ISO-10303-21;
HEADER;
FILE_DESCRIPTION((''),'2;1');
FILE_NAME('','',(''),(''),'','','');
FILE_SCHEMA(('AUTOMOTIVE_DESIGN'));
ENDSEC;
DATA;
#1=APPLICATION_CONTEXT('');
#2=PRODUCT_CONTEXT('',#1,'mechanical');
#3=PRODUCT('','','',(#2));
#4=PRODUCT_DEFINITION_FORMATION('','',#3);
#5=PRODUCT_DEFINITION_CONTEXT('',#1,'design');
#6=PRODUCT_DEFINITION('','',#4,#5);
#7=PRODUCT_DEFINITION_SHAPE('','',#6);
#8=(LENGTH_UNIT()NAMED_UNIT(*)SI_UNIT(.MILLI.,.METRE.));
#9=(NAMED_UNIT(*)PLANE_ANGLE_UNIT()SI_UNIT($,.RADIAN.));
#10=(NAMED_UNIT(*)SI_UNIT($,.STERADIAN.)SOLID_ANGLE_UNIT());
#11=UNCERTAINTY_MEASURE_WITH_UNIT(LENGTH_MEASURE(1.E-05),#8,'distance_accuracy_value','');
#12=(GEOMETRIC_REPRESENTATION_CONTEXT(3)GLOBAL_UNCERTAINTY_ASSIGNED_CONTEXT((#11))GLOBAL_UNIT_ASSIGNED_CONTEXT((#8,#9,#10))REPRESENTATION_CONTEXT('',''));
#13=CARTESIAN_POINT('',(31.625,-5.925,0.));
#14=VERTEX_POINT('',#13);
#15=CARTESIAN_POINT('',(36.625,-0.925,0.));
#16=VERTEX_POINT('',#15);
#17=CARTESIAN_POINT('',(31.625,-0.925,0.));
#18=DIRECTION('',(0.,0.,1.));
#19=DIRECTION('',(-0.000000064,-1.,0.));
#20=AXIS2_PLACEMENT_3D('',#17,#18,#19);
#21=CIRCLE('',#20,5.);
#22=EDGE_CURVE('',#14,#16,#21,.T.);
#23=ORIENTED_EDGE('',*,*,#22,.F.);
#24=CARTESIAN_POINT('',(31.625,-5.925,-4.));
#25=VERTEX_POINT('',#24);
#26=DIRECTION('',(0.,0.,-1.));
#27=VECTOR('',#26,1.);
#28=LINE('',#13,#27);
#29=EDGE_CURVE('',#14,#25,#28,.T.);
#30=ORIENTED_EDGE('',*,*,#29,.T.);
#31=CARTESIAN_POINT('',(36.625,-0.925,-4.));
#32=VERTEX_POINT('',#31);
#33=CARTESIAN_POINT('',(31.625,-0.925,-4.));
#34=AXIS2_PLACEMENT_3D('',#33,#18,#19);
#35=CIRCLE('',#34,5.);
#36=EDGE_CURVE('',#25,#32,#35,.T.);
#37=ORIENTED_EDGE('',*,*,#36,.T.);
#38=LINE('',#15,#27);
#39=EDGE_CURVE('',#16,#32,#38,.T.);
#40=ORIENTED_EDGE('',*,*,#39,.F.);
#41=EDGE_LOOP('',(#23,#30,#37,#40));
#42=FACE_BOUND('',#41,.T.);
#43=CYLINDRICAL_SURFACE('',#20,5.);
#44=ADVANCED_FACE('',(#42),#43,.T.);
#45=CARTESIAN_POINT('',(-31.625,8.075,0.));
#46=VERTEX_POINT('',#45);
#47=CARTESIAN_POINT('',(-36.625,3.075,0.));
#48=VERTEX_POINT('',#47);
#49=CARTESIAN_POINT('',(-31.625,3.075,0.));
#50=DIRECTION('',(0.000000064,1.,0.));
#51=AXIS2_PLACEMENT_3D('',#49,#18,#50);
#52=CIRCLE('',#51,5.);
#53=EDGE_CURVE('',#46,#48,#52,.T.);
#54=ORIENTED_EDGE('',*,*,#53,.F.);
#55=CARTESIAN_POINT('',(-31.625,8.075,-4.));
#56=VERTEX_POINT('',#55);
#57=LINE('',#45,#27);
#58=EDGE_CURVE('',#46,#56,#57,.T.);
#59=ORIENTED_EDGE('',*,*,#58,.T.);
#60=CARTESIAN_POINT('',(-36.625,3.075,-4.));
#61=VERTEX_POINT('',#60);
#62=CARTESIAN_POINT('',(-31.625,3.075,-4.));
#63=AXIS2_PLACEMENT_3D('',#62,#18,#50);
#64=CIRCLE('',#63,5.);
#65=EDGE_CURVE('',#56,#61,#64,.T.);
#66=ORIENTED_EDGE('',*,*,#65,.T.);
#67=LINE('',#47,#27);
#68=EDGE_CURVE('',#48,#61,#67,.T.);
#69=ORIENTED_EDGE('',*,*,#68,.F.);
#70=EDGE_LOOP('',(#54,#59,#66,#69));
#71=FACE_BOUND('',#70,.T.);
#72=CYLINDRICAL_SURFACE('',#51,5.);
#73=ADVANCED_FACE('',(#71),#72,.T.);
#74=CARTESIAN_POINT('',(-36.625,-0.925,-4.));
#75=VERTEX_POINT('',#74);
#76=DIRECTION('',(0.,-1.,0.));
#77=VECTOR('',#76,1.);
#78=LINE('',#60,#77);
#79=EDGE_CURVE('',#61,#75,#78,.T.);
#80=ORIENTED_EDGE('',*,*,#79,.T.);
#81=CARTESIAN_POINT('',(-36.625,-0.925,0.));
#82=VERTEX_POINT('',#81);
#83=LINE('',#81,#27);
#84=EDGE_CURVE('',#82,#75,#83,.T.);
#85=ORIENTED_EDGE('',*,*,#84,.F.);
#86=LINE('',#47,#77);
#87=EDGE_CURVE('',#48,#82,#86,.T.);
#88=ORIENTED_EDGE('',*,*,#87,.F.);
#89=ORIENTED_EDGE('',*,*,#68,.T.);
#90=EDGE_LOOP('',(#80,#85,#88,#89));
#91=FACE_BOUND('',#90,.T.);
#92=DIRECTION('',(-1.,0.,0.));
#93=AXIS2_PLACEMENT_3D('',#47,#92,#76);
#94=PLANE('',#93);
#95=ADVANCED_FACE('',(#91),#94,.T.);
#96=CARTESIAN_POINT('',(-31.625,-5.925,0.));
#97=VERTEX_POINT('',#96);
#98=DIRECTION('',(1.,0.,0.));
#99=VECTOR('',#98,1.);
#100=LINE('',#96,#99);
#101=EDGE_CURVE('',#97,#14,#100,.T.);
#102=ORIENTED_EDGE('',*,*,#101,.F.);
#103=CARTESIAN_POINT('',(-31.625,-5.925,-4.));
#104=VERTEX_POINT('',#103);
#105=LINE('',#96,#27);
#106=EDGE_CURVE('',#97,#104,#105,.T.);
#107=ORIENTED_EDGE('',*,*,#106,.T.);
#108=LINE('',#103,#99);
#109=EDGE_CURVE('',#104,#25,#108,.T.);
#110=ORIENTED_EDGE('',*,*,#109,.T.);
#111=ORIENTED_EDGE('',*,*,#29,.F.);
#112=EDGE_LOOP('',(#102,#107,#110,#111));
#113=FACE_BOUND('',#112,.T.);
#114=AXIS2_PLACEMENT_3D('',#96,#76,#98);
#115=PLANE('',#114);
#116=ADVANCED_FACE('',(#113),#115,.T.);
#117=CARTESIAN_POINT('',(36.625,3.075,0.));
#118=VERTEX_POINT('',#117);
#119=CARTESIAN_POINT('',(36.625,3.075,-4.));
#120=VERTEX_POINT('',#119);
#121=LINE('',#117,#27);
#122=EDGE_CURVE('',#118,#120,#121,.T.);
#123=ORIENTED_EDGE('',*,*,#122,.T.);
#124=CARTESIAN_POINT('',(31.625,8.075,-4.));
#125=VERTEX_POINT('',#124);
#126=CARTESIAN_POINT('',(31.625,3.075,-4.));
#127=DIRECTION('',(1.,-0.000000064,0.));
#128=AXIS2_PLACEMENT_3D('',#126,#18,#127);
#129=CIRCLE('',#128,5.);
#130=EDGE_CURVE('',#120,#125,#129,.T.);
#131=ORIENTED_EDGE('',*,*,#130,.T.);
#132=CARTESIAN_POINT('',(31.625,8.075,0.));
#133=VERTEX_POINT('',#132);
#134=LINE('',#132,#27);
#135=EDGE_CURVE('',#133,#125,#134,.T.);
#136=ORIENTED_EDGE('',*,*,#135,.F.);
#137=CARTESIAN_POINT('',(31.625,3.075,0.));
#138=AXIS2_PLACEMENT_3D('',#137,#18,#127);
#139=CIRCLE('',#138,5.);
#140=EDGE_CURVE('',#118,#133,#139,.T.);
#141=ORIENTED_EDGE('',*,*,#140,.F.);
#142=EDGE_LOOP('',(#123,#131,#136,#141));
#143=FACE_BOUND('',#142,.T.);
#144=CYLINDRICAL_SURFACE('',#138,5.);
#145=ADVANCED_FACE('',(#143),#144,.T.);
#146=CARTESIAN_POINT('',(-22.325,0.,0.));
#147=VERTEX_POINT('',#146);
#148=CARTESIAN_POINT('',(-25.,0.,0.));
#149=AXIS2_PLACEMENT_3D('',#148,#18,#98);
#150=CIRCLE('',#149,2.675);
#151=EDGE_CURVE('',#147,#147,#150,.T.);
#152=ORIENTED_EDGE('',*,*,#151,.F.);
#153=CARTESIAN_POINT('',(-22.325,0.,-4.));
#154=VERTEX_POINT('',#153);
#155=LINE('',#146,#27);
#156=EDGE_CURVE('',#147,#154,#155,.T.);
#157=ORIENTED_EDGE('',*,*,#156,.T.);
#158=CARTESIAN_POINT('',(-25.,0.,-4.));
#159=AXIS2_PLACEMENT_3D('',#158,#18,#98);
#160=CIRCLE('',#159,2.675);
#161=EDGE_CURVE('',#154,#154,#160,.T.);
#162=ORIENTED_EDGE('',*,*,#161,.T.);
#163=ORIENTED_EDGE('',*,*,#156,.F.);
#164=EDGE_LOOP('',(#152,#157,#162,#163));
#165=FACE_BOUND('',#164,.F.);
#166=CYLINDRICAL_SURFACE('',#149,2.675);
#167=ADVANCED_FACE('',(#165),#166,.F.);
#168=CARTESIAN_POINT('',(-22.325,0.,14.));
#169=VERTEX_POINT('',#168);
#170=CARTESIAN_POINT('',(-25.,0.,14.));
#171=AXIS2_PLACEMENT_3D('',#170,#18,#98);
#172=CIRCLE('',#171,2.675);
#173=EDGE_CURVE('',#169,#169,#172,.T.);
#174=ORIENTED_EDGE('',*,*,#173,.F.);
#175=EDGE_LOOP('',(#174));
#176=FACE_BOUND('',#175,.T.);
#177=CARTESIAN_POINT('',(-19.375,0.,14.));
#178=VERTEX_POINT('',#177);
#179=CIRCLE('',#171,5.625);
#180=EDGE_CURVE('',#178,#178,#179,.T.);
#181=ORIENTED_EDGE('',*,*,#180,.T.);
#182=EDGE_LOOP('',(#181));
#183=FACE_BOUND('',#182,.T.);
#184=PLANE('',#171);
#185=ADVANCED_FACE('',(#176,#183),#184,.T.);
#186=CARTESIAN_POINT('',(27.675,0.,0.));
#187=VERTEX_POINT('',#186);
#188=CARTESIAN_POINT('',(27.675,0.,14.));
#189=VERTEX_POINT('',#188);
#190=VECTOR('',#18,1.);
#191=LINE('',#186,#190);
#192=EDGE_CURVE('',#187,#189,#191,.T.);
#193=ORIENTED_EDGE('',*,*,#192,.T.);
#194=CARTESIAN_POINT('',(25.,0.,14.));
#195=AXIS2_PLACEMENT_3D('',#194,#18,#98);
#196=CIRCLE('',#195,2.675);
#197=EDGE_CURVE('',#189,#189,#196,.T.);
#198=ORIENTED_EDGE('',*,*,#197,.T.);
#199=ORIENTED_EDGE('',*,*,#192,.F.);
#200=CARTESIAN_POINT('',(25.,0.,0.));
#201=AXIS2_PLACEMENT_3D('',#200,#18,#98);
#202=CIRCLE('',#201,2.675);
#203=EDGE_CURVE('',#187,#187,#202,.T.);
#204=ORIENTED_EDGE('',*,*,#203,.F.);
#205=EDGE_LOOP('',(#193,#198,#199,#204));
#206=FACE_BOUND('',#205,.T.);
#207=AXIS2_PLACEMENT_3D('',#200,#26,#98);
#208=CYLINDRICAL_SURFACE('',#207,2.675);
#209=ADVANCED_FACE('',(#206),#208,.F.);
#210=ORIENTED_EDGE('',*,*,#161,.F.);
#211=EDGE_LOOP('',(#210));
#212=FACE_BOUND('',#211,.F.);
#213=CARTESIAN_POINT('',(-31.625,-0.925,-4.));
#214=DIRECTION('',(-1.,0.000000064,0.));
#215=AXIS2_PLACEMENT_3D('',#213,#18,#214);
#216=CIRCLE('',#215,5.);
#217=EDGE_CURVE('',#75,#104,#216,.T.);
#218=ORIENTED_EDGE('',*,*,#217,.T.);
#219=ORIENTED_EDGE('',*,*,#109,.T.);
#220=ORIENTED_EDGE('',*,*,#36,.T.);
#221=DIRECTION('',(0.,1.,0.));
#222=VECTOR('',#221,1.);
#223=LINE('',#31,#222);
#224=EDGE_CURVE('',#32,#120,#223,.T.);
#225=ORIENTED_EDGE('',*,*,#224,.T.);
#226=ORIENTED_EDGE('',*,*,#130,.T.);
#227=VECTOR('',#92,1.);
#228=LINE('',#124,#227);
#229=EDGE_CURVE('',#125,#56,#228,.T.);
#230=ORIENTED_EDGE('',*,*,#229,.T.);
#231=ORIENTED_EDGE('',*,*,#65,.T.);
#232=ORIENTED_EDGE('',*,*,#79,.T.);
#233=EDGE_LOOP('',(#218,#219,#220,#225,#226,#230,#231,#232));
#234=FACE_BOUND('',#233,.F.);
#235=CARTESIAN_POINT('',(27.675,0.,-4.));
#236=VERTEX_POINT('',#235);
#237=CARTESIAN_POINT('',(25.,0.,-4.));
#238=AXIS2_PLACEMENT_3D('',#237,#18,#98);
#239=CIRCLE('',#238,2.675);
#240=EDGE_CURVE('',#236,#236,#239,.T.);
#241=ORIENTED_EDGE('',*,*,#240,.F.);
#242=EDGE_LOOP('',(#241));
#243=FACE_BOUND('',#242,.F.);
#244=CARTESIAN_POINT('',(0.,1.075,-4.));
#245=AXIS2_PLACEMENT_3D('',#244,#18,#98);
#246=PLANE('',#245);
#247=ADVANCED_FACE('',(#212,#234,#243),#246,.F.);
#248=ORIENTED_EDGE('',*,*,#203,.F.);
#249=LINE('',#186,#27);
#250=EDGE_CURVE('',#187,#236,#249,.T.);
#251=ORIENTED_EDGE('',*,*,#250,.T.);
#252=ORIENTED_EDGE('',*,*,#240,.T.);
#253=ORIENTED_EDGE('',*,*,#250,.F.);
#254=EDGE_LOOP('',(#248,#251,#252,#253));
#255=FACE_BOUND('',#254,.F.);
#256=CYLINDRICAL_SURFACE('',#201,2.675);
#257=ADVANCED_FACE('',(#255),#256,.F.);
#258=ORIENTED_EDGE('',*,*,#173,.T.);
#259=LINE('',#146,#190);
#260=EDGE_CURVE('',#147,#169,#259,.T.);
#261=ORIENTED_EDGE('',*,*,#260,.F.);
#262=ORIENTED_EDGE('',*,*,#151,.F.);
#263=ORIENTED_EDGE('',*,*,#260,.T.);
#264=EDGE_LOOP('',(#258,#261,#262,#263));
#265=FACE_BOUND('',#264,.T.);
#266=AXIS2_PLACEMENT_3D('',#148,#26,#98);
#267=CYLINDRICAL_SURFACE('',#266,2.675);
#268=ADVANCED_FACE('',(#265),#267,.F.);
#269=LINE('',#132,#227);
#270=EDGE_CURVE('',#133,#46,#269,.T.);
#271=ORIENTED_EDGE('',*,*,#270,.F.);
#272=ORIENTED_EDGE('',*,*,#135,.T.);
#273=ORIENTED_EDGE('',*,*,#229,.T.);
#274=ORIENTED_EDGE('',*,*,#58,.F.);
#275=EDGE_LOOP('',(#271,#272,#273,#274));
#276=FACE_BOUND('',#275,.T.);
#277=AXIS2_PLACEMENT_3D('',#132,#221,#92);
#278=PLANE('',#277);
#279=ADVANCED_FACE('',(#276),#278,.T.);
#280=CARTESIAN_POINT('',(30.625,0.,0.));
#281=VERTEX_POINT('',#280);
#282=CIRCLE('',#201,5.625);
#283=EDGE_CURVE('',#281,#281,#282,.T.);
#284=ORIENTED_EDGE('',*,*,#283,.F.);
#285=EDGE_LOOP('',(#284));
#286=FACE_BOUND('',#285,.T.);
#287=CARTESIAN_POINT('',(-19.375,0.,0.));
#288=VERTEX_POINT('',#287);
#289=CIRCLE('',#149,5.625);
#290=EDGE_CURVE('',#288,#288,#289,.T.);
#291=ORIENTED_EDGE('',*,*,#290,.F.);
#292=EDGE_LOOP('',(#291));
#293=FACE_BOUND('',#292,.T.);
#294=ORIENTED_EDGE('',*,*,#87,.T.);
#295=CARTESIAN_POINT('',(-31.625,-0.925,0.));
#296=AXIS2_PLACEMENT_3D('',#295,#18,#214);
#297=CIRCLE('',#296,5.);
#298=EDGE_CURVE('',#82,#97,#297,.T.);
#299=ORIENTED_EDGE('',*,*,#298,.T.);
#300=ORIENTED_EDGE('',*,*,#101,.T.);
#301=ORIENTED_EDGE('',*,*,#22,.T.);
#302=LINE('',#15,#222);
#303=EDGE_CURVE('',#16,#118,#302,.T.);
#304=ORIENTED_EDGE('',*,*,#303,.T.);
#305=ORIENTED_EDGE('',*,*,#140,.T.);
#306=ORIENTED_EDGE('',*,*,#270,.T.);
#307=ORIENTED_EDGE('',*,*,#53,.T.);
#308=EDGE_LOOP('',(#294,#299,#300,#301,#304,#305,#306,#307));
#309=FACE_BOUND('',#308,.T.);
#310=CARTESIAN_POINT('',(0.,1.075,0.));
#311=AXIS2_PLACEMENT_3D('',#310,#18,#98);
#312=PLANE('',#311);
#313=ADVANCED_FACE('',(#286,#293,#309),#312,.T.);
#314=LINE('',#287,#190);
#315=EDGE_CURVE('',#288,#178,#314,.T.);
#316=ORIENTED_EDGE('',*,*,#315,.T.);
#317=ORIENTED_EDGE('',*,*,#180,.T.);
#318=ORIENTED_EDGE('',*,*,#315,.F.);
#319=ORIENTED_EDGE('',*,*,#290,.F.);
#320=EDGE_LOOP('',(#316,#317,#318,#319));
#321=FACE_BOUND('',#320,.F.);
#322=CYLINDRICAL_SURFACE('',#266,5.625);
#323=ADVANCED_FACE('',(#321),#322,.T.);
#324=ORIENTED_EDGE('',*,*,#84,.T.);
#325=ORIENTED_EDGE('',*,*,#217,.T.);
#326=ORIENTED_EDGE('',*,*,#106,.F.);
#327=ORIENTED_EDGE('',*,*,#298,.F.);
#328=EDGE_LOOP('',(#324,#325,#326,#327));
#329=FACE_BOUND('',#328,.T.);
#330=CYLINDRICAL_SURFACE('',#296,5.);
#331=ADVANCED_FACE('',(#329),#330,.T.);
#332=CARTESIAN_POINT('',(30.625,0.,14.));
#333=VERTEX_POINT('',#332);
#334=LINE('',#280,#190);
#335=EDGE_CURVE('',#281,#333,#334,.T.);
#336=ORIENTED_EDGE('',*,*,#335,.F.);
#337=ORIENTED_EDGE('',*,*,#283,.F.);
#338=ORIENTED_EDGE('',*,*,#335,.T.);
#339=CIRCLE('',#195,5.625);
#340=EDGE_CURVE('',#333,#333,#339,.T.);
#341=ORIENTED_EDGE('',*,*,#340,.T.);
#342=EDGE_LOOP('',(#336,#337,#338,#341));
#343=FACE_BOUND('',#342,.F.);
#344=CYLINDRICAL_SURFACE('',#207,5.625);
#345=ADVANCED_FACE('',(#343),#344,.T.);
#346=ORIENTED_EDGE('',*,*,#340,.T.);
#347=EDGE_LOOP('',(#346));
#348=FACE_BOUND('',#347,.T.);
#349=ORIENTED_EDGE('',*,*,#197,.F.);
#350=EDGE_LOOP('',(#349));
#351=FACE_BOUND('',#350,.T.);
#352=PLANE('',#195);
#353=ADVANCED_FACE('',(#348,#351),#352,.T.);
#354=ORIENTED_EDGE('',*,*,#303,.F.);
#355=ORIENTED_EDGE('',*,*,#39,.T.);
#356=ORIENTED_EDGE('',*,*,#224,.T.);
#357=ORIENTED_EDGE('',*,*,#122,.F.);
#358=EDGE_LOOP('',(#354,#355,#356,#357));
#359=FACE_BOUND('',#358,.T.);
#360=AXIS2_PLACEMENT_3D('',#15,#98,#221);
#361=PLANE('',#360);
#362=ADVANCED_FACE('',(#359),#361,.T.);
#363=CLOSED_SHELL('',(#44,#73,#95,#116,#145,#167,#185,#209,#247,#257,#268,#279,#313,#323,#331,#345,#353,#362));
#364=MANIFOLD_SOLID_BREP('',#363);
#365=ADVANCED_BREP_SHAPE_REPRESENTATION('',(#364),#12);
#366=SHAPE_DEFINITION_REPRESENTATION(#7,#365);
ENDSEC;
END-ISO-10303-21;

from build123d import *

# Parameters (mm, degrees)
F0_R     = 5.625
F0_R_2   = 2.675
F1_DEPTH = 14
F2_DEPTH = 4


with BuildPart() as f1:
    # F0 (on Top) → F1 (new body)
    with BuildSketch(Plane.XY):
        with Locations((-25, 0)):
            Circle(F0_R)
        with Locations((-25, 0)):
            Circle(F0_R_2, mode=Mode.SUBTRACT)
        with Locations((25, 0)):
            Circle(F0_R)
        with Locations((25, 0)):
            Circle(F0_R_2, mode=Mode.SUBTRACT)
    extrude(amount=F1_DEPTH)

    # F0 (on Top) → F2 (join)
    with BuildSketch(Plane.XY):
        with BuildLine():
            Line((31.625, 8.075), (-31.625, 8.075))
            ThreePointArc((-31.625, 8.075), (-35.160534, 6.610534), (-36.625, 3.075))
            Line((-36.625, 3.075), (-36.625, -0.925))
            ThreePointArc((-36.625, -0.925), (-35.160534, -4.460534), (-31.625, -5.925))
            Line((-31.625, -5.925), (31.625, -5.925))
            ThreePointArc((31.625, -5.925), (35.160534, -4.460534), (36.625, -0.925))
            Line((36.625, -0.925), (36.625, 3.075))
            ThreePointArc((36.625, 3.075), (35.160534, 6.610534), (31.625, 8.075))
        make_face()
        with Locations((-25, 0)):
            Circle(F0_R, mode=Mode.SUBTRACT)
        with Locations((25, 0)):
            Circle(F0_R, mode=Mode.SUBTRACT)
        with Locations((-25, 0)):
            Circle(F0_R)
        with Locations((-25, 0)):
            Circle(F0_R_2, mode=Mode.SUBTRACT)
        with Locations((25, 0)):
            Circle(F0_R)
        with Locations((25, 0)):
            Circle(F0_R_2, mode=Mode.SUBTRACT)
    extrude(amount=-F2_DEPTH)


solid = f1.part
